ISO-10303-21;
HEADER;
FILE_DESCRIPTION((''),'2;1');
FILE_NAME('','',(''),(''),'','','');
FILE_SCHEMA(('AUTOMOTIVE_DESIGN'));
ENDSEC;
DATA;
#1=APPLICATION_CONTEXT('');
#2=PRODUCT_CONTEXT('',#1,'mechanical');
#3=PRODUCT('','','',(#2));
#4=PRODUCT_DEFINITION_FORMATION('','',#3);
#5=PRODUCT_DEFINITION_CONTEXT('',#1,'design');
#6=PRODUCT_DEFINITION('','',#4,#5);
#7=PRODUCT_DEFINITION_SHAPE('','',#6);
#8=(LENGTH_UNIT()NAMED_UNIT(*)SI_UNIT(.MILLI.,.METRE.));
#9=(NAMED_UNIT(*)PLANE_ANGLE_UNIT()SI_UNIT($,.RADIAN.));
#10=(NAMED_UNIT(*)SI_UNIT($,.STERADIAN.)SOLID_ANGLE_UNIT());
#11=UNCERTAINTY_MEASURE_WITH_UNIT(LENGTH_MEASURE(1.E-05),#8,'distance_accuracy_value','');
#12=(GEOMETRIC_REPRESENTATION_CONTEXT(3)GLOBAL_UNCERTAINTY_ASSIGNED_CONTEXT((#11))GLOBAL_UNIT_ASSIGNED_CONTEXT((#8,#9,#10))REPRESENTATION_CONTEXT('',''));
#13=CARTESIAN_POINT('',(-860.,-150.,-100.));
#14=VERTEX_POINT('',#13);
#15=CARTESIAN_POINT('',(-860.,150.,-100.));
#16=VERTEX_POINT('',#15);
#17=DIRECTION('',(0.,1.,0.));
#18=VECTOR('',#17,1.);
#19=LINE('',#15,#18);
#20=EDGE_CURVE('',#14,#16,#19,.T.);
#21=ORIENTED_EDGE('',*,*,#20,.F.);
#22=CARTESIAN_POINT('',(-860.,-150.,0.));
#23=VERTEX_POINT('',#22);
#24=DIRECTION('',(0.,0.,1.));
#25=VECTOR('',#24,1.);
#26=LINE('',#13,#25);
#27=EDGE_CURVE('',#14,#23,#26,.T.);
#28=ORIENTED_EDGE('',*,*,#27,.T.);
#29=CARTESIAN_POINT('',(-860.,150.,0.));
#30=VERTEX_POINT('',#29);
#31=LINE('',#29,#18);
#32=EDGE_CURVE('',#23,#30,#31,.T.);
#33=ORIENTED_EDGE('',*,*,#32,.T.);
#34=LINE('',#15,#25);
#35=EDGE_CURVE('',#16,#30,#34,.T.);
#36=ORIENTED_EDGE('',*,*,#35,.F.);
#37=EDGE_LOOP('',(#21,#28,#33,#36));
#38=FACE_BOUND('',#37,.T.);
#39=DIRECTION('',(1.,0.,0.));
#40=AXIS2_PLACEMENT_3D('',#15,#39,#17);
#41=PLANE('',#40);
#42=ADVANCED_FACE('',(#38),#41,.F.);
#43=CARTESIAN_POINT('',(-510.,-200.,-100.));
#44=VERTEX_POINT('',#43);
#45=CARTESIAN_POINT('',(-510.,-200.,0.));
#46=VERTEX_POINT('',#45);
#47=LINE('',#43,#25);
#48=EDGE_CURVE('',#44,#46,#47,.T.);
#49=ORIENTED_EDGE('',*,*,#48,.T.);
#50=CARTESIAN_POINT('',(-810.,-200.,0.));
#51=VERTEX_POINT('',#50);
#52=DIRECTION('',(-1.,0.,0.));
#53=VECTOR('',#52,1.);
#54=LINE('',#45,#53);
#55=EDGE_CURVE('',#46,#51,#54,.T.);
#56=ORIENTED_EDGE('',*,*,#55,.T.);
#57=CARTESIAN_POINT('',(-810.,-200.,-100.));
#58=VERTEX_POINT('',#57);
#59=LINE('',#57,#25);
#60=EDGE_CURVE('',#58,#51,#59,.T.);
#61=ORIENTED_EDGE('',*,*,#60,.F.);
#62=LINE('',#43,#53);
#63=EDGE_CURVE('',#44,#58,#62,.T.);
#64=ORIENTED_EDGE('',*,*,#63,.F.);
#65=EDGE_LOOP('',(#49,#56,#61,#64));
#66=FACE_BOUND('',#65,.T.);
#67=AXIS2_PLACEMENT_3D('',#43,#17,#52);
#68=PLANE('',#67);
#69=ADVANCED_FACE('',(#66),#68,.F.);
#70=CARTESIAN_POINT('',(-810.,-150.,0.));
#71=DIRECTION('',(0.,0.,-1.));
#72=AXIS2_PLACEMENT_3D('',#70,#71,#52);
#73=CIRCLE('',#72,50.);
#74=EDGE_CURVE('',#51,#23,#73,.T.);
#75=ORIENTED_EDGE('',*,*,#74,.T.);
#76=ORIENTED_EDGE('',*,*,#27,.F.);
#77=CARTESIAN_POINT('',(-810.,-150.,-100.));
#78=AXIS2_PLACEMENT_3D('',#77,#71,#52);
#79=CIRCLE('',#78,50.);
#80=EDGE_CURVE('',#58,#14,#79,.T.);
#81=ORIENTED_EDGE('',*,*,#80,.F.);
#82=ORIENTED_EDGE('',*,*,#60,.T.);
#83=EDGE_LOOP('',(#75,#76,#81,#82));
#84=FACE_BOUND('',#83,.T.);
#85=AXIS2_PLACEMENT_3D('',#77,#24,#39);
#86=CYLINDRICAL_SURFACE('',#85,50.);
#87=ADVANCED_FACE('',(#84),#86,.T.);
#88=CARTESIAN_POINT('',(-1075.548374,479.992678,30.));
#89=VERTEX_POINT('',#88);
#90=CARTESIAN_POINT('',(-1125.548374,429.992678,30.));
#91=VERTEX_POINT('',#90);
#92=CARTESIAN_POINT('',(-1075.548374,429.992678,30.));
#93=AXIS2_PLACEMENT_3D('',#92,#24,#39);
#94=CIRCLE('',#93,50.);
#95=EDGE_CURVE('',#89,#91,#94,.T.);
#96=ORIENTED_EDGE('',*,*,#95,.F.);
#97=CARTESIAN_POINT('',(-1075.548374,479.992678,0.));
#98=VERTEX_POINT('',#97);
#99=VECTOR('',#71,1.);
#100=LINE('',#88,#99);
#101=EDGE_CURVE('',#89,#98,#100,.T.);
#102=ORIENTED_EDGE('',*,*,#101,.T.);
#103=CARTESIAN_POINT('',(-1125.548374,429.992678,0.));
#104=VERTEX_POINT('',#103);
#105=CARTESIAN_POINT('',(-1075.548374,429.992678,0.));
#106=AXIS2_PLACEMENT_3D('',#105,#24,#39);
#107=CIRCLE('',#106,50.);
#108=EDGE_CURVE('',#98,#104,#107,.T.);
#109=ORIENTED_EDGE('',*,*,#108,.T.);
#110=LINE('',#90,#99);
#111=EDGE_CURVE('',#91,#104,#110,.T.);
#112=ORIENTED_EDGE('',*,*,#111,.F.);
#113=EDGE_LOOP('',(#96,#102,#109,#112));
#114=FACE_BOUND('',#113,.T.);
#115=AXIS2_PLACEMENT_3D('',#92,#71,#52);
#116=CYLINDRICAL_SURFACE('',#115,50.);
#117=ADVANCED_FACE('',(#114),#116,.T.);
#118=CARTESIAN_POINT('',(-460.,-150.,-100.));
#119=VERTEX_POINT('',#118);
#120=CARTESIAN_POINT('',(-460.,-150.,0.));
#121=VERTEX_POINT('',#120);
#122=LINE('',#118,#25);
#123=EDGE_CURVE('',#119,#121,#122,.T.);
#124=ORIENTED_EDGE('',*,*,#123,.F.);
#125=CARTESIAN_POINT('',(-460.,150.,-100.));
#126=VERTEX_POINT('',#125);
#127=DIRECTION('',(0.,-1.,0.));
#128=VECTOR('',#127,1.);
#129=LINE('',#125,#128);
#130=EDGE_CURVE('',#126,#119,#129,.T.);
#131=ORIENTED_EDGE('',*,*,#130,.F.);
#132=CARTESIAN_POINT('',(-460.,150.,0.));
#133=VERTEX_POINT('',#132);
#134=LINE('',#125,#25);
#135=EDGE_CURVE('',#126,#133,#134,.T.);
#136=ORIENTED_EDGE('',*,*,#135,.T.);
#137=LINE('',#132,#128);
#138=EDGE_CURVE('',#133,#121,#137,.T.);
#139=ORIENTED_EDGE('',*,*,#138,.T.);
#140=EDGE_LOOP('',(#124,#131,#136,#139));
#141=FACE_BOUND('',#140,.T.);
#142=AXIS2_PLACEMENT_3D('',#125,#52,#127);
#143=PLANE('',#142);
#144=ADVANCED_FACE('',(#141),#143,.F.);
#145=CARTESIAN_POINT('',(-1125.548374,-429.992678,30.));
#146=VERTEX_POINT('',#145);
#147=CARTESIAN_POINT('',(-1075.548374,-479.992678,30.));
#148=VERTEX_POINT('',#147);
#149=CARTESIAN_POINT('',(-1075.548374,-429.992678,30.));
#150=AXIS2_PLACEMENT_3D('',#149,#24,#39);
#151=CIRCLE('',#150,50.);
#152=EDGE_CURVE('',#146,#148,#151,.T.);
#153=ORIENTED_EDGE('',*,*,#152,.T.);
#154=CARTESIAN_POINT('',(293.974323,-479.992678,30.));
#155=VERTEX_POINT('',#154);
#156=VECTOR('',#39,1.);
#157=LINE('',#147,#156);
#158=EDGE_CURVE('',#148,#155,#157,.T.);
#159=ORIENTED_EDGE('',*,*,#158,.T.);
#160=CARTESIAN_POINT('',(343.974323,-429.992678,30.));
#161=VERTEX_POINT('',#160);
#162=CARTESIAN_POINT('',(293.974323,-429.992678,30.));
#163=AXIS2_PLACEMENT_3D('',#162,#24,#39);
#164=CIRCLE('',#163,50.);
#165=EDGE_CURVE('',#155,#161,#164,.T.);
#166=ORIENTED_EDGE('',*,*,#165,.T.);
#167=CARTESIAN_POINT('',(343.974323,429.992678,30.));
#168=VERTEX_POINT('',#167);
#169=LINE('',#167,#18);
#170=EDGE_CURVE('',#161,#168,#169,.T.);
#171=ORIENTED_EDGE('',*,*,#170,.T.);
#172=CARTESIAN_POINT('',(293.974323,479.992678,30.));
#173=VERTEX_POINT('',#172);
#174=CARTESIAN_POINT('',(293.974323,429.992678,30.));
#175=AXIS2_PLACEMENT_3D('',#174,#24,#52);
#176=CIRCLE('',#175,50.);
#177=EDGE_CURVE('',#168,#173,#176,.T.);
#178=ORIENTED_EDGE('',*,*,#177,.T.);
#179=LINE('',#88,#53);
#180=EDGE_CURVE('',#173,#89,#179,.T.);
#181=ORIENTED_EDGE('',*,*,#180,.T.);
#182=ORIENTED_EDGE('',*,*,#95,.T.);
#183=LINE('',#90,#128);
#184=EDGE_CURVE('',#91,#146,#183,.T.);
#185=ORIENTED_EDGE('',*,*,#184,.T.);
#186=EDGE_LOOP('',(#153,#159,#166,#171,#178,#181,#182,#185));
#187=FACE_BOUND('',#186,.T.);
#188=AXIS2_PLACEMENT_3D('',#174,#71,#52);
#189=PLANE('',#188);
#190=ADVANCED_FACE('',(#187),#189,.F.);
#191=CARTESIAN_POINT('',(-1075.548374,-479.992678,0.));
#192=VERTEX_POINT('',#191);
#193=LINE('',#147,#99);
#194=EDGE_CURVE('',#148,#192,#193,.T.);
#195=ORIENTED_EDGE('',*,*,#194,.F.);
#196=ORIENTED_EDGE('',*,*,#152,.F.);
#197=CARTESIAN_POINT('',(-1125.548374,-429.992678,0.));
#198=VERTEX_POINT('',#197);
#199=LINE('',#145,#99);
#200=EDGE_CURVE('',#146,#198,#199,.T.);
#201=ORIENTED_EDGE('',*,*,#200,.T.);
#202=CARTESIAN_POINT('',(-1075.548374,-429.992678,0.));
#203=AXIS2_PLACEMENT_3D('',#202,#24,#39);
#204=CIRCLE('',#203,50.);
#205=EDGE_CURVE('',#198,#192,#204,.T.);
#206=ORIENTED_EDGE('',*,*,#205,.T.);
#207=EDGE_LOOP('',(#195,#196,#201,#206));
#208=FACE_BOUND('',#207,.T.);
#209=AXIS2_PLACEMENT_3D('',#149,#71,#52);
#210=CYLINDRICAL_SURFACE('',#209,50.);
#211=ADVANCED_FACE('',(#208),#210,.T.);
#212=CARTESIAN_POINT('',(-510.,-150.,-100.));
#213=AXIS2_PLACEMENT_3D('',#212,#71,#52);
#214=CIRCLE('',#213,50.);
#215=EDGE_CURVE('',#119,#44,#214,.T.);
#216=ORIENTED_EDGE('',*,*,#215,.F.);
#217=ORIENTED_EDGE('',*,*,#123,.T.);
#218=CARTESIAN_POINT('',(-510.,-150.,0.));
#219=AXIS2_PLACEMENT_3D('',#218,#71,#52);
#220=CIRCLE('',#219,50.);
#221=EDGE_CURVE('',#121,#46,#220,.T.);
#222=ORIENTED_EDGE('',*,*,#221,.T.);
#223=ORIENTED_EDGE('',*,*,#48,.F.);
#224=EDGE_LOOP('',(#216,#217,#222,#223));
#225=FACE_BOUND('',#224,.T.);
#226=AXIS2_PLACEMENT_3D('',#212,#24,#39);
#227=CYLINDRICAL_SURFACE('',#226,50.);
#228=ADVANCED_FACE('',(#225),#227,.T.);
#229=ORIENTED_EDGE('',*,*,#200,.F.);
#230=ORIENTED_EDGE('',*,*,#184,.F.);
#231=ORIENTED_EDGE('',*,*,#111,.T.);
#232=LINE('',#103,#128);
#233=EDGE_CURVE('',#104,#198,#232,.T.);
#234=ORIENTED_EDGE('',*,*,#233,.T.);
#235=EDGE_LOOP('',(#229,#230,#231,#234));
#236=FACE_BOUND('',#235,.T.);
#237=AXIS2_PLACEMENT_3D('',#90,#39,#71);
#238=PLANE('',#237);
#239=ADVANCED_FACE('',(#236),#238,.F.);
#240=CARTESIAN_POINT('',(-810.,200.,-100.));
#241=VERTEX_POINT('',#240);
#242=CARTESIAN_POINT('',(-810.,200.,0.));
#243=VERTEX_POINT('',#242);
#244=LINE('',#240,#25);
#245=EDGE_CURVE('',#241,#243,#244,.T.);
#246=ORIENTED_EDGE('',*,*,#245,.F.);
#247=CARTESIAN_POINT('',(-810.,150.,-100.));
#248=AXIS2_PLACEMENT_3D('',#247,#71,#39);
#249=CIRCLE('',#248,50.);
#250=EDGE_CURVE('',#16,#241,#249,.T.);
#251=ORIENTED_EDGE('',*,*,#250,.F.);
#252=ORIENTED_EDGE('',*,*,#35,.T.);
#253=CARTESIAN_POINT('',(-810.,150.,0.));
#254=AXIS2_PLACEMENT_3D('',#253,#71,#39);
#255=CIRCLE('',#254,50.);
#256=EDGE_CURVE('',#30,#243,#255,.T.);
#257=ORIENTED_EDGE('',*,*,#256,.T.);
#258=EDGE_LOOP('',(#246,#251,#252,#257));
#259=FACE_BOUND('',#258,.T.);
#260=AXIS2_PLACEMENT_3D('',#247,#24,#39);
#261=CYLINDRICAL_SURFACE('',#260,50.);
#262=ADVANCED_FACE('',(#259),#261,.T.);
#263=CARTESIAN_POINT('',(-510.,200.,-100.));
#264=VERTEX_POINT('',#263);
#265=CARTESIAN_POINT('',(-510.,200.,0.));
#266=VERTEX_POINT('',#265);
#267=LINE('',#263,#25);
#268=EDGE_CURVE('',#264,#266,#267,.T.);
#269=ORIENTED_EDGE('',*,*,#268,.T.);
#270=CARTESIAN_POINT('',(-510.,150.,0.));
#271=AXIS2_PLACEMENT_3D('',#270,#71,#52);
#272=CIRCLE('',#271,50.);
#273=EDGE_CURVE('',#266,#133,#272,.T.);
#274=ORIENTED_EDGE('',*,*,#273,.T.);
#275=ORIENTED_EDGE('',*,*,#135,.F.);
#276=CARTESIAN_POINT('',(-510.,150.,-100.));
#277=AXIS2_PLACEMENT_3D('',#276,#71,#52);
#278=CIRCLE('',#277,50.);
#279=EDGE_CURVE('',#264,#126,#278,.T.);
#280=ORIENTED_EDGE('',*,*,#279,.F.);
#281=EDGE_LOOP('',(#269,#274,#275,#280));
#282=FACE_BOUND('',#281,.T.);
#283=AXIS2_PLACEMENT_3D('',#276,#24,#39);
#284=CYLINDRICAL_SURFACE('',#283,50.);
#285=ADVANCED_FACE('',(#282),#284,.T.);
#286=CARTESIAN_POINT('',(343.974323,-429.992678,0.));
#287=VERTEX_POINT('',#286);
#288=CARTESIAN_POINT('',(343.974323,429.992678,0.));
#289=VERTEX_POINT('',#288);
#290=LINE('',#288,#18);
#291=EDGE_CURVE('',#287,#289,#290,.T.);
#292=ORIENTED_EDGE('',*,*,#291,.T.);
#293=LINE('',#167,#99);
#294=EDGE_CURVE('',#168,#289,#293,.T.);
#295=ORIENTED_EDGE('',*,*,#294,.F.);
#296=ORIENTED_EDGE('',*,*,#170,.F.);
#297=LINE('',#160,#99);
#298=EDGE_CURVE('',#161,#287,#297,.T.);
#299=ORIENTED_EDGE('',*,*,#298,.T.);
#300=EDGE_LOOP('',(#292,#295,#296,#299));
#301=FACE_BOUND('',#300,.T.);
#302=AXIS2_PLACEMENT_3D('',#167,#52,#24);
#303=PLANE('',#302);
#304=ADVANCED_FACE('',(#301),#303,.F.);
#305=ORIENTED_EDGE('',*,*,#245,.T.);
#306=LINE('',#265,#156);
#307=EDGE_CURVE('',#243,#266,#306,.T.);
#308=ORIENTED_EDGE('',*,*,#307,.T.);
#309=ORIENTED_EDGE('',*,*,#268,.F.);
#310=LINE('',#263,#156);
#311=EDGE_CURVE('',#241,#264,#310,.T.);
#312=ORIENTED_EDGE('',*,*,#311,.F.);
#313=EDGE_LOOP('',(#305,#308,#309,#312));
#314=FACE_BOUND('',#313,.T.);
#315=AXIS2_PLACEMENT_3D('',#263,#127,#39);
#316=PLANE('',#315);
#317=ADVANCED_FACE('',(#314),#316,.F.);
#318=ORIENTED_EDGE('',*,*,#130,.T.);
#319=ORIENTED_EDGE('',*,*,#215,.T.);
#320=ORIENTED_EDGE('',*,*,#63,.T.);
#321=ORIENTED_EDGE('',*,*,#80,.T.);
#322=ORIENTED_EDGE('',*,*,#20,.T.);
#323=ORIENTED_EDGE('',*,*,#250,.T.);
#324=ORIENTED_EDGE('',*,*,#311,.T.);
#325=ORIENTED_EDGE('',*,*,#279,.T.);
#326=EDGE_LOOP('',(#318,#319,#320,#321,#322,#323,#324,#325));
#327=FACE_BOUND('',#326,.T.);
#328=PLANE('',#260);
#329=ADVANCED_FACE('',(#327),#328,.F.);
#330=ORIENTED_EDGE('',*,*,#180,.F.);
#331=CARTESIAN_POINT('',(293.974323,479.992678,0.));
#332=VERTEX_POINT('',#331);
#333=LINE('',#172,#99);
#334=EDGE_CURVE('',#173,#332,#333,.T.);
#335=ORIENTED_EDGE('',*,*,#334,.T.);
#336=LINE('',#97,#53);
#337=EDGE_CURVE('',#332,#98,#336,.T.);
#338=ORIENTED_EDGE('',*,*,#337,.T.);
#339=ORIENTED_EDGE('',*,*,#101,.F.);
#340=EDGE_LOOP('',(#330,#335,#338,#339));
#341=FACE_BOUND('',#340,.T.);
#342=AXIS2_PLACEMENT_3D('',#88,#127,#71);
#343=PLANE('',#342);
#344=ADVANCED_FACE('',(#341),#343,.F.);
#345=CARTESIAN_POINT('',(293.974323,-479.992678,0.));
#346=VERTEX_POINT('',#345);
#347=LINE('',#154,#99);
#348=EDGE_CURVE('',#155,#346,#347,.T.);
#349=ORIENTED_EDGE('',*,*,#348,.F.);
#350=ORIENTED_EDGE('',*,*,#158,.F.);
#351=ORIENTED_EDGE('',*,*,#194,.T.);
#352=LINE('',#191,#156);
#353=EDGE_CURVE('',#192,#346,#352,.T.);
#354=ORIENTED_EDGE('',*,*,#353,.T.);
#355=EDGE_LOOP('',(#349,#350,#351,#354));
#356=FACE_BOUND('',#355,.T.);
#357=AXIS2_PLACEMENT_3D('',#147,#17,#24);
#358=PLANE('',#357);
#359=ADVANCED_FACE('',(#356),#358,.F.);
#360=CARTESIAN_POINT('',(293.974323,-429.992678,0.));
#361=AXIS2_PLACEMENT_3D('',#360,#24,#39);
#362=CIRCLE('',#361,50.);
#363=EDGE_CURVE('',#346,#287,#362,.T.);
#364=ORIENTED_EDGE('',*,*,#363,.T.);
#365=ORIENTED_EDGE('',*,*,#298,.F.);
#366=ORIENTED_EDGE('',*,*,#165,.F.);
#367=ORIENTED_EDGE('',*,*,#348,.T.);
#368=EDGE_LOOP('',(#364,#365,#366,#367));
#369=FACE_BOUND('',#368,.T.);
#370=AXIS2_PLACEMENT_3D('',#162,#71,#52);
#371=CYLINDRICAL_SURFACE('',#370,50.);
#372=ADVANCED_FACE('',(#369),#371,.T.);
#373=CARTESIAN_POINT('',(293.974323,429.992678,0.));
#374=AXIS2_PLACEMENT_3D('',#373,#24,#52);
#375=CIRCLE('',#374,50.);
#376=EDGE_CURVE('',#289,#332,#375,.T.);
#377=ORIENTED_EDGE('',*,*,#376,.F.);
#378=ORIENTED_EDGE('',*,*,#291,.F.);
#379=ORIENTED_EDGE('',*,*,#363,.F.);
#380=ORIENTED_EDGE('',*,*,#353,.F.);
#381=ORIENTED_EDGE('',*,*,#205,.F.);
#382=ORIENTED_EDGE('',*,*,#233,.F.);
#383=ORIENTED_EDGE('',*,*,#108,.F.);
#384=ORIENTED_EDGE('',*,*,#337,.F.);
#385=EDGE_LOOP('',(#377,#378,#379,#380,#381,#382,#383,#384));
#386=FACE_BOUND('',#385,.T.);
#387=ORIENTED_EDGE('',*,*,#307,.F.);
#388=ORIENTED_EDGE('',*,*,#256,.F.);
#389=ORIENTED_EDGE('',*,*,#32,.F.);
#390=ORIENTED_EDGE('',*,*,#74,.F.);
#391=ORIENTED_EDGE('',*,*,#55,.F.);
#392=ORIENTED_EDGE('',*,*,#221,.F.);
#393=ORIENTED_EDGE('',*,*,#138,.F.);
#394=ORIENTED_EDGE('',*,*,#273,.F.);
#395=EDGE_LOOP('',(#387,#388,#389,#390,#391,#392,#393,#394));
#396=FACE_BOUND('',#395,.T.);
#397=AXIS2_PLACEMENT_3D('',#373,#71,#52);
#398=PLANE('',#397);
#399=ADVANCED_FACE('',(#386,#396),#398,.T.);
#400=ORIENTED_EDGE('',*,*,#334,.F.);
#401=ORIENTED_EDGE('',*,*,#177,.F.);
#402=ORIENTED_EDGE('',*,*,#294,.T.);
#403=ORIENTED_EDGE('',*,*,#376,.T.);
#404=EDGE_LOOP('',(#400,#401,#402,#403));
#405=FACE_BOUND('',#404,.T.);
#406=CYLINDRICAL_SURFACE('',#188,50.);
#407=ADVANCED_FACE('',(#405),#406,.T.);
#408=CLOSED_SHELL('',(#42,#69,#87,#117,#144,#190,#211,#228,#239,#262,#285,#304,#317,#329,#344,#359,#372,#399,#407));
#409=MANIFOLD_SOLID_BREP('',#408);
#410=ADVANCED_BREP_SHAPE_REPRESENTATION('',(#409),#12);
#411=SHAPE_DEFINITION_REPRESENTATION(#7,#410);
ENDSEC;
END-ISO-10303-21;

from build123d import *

# Parameters (mm, degrees)
EXTRUDE_1_DEPTH = 30
EXTRUDE_2_DEPTH = 100


with BuildPart() as part:
    # 草图2 → 凸台-拉伸1 (new body)
    with BuildSketch(Plane.XY):
        with BuildLine():
            Line((-1075.548373655, 479.992677665), (293.974322669, 479.992677665))
            ThreePointArc((293.974322669, 479.992677665), (329.329661728, 465.348016724), (343.974322669, 429.992677665))
            Line((343.974322669, 429.992677665), (343.974322669, -429.992677665))
            ThreePointArc((343.974322669, -429.992677665), (329.329661728, -465.348016724), (293.974322669, -479.992677665))
            Line((293.974322669, -479.992677665), (-1075.548373655, -479.992677665))
            ThreePointArc((-1075.548373655, -479.992677665), (-1110.903712715, -465.348016724), (-1125.548373655, -429.992677665))
            Line((-1125.548373655, -429.992677665), (-1125.548373655, 429.992677665))
            ThreePointArc((-1125.548373655, 429.992677665), (-1110.903712715, 465.348016724), (-1075.548373655, 479.992677665))
        make_face()
    extrude(amount=EXTRUDE_1_DEPTH)

    # 草图4 → 凸台-拉伸2 (add)
    with BuildSketch(Plane(origin=(0, 0, 0), x_dir=(-1, 0, 0), z_dir=(0, 0, -1))):
        with BuildLine():
            Line((510, 200), (810, 200))
            ThreePointArc((810, 200), (845.355339059, 185.355339059), (860, 150))
            Line((860, 150), (860, -150))
            ThreePointArc((860, -150), (845.355339059, -185.355339059), (810, -200))
            Line((810, -200), (510, -200))
            ThreePointArc((510, -200), (474.644660941, -185.355339059), (460, -150))
            Line((460, -150), (460, 150))
            ThreePointArc((460, 150), (474.644660941, 185.355339059), (510, 200))
        make_face()
    extrude(amount=EXTRUDE_2_DEPTH)


solid = part.part
